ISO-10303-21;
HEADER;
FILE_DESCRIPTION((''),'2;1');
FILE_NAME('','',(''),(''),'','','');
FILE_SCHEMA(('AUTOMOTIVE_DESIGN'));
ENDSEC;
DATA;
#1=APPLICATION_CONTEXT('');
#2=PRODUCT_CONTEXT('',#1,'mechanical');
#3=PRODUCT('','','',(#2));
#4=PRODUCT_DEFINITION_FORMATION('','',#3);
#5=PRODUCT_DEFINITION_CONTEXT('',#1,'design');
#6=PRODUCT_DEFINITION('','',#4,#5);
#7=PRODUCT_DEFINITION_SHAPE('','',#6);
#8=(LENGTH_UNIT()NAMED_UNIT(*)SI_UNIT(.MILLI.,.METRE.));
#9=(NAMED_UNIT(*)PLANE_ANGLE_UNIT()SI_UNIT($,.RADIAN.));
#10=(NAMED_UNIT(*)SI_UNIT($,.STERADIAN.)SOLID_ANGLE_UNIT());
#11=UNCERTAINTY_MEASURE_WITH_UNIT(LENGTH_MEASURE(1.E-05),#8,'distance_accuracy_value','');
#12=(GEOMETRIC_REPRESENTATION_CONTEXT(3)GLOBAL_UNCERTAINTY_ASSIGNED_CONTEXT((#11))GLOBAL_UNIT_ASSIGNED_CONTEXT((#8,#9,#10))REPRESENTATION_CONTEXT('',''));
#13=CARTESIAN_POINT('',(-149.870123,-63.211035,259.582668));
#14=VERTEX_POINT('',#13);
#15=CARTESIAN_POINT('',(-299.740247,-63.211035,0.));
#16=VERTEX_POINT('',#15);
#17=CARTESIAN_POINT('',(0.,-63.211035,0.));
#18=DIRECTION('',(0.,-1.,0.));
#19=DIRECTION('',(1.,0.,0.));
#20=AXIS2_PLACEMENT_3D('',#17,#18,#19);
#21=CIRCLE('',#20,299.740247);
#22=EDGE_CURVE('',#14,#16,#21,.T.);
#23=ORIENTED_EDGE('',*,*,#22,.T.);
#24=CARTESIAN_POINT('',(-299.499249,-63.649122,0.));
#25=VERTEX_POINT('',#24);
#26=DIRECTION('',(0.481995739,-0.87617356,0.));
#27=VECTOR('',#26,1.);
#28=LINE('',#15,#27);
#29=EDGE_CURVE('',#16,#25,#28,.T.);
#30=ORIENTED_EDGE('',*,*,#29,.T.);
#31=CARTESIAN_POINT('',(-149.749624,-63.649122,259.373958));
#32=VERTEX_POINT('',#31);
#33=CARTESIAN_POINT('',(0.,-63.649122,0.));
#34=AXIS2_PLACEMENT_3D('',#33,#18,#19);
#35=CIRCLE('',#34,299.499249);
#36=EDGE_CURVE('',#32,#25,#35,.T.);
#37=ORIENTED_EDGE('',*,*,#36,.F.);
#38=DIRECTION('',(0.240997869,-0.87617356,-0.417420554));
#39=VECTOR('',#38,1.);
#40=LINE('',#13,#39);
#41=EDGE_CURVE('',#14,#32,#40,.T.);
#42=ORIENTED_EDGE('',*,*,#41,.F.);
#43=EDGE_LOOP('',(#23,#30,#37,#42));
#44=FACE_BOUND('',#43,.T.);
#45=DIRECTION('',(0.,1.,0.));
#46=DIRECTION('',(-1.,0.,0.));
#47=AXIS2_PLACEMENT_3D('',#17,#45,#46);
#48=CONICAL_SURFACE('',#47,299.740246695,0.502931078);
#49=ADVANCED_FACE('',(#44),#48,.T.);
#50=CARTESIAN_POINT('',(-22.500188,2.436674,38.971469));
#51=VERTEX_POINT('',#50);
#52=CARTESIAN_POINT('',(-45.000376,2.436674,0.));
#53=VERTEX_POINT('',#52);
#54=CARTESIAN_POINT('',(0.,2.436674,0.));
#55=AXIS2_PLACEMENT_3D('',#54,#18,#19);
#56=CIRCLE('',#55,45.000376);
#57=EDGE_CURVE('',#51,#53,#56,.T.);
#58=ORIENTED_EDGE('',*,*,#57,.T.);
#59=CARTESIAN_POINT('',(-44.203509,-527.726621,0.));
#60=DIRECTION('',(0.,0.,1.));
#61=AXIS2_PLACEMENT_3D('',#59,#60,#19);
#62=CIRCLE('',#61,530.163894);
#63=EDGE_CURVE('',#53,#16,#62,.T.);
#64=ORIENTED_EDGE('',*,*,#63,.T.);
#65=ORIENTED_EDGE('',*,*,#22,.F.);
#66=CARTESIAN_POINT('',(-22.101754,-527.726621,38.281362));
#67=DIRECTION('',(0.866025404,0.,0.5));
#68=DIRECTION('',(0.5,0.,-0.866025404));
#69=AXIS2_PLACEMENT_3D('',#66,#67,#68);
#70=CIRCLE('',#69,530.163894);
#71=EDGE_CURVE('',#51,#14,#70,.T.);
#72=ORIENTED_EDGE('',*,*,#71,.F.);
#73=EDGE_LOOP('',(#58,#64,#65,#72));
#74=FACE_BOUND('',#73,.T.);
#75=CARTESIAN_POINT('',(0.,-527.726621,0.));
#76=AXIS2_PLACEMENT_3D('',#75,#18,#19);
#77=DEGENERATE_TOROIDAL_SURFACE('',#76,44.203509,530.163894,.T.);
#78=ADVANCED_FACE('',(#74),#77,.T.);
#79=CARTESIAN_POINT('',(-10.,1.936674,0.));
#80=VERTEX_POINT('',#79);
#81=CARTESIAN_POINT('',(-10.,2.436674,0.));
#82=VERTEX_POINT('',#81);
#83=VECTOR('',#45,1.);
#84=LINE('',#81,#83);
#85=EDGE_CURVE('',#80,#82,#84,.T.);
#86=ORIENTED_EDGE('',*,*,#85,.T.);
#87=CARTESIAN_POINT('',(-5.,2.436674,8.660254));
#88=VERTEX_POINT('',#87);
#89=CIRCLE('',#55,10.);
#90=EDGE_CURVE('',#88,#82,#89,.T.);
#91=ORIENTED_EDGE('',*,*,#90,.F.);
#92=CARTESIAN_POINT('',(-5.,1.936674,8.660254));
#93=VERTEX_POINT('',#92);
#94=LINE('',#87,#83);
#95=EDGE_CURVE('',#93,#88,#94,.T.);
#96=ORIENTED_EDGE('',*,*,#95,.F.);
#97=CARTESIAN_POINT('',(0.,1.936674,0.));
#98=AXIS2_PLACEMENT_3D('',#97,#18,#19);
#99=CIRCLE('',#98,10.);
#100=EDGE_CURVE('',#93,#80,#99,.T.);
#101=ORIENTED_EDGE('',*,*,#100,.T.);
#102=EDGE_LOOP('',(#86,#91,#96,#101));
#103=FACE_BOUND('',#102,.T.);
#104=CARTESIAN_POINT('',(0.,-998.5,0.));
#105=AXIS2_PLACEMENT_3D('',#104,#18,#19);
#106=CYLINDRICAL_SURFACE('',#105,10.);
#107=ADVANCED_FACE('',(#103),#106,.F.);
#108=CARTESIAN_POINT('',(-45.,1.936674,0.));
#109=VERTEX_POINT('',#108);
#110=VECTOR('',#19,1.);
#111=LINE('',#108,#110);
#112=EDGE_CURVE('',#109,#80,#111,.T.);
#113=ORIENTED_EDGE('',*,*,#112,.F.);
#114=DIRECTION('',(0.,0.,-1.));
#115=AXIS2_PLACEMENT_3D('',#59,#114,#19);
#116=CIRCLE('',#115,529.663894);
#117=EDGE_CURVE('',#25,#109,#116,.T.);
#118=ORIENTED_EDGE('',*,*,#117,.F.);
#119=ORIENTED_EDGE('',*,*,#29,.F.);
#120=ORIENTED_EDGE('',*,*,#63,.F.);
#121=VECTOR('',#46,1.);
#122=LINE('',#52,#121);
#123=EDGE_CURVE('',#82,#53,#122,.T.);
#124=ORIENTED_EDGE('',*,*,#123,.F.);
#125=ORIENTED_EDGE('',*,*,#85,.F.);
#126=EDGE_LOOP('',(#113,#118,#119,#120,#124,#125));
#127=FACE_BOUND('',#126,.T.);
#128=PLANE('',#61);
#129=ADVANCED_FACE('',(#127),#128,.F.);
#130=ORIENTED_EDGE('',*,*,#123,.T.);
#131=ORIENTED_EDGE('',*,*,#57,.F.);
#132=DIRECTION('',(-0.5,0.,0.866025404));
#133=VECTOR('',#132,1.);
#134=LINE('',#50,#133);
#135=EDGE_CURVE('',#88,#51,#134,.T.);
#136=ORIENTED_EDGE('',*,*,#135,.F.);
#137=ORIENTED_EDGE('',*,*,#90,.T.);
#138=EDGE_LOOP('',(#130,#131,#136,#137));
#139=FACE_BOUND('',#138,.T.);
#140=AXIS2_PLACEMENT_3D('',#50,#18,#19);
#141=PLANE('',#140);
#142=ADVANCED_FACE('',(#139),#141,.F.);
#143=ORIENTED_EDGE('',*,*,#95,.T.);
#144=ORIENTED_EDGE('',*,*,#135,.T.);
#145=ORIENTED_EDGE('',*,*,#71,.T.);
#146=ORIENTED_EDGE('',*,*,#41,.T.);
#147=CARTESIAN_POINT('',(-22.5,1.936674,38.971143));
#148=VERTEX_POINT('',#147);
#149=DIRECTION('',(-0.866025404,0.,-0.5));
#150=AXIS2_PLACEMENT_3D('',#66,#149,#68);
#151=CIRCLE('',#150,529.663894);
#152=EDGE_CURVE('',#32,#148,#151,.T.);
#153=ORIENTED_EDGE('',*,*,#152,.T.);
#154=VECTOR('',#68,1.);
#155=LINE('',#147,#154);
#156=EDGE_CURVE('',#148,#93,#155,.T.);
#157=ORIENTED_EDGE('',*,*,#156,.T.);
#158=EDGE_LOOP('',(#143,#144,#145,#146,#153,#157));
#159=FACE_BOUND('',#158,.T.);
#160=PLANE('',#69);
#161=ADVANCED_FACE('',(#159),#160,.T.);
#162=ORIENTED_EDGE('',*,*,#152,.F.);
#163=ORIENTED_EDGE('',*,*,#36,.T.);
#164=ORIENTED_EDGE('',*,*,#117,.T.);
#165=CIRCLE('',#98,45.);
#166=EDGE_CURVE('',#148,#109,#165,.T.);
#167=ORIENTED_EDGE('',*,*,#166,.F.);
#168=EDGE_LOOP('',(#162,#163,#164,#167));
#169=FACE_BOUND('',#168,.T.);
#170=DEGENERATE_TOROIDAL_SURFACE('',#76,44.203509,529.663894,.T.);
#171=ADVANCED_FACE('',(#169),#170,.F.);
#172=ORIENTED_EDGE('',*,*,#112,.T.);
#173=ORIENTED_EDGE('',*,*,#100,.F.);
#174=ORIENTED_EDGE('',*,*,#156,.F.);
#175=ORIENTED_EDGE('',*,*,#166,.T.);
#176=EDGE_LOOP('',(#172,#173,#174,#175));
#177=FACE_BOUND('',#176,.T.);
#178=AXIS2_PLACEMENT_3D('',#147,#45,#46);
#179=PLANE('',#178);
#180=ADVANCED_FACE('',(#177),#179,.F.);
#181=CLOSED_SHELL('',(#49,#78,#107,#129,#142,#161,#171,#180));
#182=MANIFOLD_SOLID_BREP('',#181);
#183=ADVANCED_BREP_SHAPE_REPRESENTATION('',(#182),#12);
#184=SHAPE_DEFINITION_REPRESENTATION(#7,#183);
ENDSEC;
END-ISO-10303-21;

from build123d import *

# Parameters (mm, degrees)
REVOLVE1_ANGLE = 60


with BuildPart() as part:
    # Sketch1 → Revolve1 (revolve)
    with BuildSketch(Plane.XY):
        with BuildLine():
            Line((-45, 1.936673673), (-10, 1.936673673))
            Line((-10, 1.936673673), (-10, 2.436673673))
            Line((-10, 2.436673673), (-45.000375853, 2.436673673))
            ThreePointArc((-45.000375853, 2.436673673), (-45.557674224, 2.435543108), (-46.114971099, 2.433826721))
            ThreePointArc((-46.114971099, 2.433826721), (-177.046295247, -14.475660779), (-299.740246695, -63.211034879))
            Line((-299.740246695, -63.211034879), (-299.499248826, -63.64912166))
            ThreePointArc((-299.499248826, -63.64912166), (-176.921010606, -14.959710114), (-46.11316839, 1.933829971))
            ThreePointArc((-46.11316839, 1.933829971), (-45.556584942, 1.935544259), (-45, 1.936673673))
        make_face()
    revolve(axis=Axis((0, -998.5, 0), (0, 1, 0)), revolution_arc=REVOLVE1_ANGLE)


solid = part.part
